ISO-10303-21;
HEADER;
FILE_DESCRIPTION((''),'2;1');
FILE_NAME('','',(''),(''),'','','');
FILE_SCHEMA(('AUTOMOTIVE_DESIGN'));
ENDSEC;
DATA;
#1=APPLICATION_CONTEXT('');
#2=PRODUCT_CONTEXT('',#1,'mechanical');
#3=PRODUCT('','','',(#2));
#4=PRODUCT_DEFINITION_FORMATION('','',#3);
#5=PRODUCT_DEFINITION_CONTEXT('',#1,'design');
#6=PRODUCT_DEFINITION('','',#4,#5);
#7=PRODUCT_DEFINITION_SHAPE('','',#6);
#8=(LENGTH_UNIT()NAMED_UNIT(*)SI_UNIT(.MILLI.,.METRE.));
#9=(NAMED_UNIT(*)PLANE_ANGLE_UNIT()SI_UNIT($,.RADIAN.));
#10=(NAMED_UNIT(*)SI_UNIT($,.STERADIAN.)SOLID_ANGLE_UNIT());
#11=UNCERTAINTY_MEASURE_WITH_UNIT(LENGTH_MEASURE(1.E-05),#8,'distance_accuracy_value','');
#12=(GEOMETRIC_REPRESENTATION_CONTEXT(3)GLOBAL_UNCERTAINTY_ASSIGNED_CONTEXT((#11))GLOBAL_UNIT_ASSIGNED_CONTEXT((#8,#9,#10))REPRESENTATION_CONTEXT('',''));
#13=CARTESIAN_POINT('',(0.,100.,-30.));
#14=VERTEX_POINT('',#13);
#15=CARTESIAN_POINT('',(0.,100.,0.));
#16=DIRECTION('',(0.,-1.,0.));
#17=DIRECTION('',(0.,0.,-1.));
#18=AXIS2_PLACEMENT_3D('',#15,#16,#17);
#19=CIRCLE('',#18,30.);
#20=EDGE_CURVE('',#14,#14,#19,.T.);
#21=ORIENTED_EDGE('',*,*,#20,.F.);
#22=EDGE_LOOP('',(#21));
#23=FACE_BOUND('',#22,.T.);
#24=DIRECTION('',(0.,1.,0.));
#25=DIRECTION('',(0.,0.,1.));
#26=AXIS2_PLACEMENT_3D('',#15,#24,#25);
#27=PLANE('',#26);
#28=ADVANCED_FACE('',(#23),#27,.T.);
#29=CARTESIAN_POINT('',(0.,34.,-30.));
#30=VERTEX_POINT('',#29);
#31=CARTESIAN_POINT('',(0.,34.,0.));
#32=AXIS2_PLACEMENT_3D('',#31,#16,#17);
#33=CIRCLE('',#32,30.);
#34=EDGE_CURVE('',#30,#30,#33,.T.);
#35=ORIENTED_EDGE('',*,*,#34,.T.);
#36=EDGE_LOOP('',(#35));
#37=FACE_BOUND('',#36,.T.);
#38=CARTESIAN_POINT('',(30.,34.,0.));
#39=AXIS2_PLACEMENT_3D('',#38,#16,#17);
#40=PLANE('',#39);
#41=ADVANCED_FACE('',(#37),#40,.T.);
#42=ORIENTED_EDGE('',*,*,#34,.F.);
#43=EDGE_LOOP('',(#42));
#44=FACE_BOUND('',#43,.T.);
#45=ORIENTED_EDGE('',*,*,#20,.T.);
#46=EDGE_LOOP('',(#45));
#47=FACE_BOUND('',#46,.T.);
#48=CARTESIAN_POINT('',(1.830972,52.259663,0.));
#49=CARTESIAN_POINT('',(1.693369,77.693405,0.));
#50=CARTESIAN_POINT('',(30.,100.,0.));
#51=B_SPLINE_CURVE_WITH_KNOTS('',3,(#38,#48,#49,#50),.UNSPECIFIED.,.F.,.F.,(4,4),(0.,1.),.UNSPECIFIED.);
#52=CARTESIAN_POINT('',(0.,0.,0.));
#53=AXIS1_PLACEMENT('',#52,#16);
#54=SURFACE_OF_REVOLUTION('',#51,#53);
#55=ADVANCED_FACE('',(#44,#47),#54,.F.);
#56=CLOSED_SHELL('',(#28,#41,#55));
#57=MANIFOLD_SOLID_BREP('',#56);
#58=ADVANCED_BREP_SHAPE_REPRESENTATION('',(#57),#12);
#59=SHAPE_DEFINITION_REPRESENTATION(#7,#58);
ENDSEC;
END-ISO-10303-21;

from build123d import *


with BuildPart() as part:
    # Sketch1 → Revolve1 (revolve)
    with BuildSketch(Plane.XY):
        with BuildLine():
            Line((30, 34), (0, 34))
            Line((0, 34), (0, 100))
            Line((0, 100), (30, 100))
            add(Edge.make_bspline(
                [(30, 100), (1.69336868, 77.693405339), (1.830971878, 52.259662817), (30, 34)],
                knots=[0, 0, 0, 0, 1, 1, 1, 1], degree=3))
        make_face()
    revolve(axis=Axis((0, 0, 0), (0, 1, 0)))


solid = part.part
